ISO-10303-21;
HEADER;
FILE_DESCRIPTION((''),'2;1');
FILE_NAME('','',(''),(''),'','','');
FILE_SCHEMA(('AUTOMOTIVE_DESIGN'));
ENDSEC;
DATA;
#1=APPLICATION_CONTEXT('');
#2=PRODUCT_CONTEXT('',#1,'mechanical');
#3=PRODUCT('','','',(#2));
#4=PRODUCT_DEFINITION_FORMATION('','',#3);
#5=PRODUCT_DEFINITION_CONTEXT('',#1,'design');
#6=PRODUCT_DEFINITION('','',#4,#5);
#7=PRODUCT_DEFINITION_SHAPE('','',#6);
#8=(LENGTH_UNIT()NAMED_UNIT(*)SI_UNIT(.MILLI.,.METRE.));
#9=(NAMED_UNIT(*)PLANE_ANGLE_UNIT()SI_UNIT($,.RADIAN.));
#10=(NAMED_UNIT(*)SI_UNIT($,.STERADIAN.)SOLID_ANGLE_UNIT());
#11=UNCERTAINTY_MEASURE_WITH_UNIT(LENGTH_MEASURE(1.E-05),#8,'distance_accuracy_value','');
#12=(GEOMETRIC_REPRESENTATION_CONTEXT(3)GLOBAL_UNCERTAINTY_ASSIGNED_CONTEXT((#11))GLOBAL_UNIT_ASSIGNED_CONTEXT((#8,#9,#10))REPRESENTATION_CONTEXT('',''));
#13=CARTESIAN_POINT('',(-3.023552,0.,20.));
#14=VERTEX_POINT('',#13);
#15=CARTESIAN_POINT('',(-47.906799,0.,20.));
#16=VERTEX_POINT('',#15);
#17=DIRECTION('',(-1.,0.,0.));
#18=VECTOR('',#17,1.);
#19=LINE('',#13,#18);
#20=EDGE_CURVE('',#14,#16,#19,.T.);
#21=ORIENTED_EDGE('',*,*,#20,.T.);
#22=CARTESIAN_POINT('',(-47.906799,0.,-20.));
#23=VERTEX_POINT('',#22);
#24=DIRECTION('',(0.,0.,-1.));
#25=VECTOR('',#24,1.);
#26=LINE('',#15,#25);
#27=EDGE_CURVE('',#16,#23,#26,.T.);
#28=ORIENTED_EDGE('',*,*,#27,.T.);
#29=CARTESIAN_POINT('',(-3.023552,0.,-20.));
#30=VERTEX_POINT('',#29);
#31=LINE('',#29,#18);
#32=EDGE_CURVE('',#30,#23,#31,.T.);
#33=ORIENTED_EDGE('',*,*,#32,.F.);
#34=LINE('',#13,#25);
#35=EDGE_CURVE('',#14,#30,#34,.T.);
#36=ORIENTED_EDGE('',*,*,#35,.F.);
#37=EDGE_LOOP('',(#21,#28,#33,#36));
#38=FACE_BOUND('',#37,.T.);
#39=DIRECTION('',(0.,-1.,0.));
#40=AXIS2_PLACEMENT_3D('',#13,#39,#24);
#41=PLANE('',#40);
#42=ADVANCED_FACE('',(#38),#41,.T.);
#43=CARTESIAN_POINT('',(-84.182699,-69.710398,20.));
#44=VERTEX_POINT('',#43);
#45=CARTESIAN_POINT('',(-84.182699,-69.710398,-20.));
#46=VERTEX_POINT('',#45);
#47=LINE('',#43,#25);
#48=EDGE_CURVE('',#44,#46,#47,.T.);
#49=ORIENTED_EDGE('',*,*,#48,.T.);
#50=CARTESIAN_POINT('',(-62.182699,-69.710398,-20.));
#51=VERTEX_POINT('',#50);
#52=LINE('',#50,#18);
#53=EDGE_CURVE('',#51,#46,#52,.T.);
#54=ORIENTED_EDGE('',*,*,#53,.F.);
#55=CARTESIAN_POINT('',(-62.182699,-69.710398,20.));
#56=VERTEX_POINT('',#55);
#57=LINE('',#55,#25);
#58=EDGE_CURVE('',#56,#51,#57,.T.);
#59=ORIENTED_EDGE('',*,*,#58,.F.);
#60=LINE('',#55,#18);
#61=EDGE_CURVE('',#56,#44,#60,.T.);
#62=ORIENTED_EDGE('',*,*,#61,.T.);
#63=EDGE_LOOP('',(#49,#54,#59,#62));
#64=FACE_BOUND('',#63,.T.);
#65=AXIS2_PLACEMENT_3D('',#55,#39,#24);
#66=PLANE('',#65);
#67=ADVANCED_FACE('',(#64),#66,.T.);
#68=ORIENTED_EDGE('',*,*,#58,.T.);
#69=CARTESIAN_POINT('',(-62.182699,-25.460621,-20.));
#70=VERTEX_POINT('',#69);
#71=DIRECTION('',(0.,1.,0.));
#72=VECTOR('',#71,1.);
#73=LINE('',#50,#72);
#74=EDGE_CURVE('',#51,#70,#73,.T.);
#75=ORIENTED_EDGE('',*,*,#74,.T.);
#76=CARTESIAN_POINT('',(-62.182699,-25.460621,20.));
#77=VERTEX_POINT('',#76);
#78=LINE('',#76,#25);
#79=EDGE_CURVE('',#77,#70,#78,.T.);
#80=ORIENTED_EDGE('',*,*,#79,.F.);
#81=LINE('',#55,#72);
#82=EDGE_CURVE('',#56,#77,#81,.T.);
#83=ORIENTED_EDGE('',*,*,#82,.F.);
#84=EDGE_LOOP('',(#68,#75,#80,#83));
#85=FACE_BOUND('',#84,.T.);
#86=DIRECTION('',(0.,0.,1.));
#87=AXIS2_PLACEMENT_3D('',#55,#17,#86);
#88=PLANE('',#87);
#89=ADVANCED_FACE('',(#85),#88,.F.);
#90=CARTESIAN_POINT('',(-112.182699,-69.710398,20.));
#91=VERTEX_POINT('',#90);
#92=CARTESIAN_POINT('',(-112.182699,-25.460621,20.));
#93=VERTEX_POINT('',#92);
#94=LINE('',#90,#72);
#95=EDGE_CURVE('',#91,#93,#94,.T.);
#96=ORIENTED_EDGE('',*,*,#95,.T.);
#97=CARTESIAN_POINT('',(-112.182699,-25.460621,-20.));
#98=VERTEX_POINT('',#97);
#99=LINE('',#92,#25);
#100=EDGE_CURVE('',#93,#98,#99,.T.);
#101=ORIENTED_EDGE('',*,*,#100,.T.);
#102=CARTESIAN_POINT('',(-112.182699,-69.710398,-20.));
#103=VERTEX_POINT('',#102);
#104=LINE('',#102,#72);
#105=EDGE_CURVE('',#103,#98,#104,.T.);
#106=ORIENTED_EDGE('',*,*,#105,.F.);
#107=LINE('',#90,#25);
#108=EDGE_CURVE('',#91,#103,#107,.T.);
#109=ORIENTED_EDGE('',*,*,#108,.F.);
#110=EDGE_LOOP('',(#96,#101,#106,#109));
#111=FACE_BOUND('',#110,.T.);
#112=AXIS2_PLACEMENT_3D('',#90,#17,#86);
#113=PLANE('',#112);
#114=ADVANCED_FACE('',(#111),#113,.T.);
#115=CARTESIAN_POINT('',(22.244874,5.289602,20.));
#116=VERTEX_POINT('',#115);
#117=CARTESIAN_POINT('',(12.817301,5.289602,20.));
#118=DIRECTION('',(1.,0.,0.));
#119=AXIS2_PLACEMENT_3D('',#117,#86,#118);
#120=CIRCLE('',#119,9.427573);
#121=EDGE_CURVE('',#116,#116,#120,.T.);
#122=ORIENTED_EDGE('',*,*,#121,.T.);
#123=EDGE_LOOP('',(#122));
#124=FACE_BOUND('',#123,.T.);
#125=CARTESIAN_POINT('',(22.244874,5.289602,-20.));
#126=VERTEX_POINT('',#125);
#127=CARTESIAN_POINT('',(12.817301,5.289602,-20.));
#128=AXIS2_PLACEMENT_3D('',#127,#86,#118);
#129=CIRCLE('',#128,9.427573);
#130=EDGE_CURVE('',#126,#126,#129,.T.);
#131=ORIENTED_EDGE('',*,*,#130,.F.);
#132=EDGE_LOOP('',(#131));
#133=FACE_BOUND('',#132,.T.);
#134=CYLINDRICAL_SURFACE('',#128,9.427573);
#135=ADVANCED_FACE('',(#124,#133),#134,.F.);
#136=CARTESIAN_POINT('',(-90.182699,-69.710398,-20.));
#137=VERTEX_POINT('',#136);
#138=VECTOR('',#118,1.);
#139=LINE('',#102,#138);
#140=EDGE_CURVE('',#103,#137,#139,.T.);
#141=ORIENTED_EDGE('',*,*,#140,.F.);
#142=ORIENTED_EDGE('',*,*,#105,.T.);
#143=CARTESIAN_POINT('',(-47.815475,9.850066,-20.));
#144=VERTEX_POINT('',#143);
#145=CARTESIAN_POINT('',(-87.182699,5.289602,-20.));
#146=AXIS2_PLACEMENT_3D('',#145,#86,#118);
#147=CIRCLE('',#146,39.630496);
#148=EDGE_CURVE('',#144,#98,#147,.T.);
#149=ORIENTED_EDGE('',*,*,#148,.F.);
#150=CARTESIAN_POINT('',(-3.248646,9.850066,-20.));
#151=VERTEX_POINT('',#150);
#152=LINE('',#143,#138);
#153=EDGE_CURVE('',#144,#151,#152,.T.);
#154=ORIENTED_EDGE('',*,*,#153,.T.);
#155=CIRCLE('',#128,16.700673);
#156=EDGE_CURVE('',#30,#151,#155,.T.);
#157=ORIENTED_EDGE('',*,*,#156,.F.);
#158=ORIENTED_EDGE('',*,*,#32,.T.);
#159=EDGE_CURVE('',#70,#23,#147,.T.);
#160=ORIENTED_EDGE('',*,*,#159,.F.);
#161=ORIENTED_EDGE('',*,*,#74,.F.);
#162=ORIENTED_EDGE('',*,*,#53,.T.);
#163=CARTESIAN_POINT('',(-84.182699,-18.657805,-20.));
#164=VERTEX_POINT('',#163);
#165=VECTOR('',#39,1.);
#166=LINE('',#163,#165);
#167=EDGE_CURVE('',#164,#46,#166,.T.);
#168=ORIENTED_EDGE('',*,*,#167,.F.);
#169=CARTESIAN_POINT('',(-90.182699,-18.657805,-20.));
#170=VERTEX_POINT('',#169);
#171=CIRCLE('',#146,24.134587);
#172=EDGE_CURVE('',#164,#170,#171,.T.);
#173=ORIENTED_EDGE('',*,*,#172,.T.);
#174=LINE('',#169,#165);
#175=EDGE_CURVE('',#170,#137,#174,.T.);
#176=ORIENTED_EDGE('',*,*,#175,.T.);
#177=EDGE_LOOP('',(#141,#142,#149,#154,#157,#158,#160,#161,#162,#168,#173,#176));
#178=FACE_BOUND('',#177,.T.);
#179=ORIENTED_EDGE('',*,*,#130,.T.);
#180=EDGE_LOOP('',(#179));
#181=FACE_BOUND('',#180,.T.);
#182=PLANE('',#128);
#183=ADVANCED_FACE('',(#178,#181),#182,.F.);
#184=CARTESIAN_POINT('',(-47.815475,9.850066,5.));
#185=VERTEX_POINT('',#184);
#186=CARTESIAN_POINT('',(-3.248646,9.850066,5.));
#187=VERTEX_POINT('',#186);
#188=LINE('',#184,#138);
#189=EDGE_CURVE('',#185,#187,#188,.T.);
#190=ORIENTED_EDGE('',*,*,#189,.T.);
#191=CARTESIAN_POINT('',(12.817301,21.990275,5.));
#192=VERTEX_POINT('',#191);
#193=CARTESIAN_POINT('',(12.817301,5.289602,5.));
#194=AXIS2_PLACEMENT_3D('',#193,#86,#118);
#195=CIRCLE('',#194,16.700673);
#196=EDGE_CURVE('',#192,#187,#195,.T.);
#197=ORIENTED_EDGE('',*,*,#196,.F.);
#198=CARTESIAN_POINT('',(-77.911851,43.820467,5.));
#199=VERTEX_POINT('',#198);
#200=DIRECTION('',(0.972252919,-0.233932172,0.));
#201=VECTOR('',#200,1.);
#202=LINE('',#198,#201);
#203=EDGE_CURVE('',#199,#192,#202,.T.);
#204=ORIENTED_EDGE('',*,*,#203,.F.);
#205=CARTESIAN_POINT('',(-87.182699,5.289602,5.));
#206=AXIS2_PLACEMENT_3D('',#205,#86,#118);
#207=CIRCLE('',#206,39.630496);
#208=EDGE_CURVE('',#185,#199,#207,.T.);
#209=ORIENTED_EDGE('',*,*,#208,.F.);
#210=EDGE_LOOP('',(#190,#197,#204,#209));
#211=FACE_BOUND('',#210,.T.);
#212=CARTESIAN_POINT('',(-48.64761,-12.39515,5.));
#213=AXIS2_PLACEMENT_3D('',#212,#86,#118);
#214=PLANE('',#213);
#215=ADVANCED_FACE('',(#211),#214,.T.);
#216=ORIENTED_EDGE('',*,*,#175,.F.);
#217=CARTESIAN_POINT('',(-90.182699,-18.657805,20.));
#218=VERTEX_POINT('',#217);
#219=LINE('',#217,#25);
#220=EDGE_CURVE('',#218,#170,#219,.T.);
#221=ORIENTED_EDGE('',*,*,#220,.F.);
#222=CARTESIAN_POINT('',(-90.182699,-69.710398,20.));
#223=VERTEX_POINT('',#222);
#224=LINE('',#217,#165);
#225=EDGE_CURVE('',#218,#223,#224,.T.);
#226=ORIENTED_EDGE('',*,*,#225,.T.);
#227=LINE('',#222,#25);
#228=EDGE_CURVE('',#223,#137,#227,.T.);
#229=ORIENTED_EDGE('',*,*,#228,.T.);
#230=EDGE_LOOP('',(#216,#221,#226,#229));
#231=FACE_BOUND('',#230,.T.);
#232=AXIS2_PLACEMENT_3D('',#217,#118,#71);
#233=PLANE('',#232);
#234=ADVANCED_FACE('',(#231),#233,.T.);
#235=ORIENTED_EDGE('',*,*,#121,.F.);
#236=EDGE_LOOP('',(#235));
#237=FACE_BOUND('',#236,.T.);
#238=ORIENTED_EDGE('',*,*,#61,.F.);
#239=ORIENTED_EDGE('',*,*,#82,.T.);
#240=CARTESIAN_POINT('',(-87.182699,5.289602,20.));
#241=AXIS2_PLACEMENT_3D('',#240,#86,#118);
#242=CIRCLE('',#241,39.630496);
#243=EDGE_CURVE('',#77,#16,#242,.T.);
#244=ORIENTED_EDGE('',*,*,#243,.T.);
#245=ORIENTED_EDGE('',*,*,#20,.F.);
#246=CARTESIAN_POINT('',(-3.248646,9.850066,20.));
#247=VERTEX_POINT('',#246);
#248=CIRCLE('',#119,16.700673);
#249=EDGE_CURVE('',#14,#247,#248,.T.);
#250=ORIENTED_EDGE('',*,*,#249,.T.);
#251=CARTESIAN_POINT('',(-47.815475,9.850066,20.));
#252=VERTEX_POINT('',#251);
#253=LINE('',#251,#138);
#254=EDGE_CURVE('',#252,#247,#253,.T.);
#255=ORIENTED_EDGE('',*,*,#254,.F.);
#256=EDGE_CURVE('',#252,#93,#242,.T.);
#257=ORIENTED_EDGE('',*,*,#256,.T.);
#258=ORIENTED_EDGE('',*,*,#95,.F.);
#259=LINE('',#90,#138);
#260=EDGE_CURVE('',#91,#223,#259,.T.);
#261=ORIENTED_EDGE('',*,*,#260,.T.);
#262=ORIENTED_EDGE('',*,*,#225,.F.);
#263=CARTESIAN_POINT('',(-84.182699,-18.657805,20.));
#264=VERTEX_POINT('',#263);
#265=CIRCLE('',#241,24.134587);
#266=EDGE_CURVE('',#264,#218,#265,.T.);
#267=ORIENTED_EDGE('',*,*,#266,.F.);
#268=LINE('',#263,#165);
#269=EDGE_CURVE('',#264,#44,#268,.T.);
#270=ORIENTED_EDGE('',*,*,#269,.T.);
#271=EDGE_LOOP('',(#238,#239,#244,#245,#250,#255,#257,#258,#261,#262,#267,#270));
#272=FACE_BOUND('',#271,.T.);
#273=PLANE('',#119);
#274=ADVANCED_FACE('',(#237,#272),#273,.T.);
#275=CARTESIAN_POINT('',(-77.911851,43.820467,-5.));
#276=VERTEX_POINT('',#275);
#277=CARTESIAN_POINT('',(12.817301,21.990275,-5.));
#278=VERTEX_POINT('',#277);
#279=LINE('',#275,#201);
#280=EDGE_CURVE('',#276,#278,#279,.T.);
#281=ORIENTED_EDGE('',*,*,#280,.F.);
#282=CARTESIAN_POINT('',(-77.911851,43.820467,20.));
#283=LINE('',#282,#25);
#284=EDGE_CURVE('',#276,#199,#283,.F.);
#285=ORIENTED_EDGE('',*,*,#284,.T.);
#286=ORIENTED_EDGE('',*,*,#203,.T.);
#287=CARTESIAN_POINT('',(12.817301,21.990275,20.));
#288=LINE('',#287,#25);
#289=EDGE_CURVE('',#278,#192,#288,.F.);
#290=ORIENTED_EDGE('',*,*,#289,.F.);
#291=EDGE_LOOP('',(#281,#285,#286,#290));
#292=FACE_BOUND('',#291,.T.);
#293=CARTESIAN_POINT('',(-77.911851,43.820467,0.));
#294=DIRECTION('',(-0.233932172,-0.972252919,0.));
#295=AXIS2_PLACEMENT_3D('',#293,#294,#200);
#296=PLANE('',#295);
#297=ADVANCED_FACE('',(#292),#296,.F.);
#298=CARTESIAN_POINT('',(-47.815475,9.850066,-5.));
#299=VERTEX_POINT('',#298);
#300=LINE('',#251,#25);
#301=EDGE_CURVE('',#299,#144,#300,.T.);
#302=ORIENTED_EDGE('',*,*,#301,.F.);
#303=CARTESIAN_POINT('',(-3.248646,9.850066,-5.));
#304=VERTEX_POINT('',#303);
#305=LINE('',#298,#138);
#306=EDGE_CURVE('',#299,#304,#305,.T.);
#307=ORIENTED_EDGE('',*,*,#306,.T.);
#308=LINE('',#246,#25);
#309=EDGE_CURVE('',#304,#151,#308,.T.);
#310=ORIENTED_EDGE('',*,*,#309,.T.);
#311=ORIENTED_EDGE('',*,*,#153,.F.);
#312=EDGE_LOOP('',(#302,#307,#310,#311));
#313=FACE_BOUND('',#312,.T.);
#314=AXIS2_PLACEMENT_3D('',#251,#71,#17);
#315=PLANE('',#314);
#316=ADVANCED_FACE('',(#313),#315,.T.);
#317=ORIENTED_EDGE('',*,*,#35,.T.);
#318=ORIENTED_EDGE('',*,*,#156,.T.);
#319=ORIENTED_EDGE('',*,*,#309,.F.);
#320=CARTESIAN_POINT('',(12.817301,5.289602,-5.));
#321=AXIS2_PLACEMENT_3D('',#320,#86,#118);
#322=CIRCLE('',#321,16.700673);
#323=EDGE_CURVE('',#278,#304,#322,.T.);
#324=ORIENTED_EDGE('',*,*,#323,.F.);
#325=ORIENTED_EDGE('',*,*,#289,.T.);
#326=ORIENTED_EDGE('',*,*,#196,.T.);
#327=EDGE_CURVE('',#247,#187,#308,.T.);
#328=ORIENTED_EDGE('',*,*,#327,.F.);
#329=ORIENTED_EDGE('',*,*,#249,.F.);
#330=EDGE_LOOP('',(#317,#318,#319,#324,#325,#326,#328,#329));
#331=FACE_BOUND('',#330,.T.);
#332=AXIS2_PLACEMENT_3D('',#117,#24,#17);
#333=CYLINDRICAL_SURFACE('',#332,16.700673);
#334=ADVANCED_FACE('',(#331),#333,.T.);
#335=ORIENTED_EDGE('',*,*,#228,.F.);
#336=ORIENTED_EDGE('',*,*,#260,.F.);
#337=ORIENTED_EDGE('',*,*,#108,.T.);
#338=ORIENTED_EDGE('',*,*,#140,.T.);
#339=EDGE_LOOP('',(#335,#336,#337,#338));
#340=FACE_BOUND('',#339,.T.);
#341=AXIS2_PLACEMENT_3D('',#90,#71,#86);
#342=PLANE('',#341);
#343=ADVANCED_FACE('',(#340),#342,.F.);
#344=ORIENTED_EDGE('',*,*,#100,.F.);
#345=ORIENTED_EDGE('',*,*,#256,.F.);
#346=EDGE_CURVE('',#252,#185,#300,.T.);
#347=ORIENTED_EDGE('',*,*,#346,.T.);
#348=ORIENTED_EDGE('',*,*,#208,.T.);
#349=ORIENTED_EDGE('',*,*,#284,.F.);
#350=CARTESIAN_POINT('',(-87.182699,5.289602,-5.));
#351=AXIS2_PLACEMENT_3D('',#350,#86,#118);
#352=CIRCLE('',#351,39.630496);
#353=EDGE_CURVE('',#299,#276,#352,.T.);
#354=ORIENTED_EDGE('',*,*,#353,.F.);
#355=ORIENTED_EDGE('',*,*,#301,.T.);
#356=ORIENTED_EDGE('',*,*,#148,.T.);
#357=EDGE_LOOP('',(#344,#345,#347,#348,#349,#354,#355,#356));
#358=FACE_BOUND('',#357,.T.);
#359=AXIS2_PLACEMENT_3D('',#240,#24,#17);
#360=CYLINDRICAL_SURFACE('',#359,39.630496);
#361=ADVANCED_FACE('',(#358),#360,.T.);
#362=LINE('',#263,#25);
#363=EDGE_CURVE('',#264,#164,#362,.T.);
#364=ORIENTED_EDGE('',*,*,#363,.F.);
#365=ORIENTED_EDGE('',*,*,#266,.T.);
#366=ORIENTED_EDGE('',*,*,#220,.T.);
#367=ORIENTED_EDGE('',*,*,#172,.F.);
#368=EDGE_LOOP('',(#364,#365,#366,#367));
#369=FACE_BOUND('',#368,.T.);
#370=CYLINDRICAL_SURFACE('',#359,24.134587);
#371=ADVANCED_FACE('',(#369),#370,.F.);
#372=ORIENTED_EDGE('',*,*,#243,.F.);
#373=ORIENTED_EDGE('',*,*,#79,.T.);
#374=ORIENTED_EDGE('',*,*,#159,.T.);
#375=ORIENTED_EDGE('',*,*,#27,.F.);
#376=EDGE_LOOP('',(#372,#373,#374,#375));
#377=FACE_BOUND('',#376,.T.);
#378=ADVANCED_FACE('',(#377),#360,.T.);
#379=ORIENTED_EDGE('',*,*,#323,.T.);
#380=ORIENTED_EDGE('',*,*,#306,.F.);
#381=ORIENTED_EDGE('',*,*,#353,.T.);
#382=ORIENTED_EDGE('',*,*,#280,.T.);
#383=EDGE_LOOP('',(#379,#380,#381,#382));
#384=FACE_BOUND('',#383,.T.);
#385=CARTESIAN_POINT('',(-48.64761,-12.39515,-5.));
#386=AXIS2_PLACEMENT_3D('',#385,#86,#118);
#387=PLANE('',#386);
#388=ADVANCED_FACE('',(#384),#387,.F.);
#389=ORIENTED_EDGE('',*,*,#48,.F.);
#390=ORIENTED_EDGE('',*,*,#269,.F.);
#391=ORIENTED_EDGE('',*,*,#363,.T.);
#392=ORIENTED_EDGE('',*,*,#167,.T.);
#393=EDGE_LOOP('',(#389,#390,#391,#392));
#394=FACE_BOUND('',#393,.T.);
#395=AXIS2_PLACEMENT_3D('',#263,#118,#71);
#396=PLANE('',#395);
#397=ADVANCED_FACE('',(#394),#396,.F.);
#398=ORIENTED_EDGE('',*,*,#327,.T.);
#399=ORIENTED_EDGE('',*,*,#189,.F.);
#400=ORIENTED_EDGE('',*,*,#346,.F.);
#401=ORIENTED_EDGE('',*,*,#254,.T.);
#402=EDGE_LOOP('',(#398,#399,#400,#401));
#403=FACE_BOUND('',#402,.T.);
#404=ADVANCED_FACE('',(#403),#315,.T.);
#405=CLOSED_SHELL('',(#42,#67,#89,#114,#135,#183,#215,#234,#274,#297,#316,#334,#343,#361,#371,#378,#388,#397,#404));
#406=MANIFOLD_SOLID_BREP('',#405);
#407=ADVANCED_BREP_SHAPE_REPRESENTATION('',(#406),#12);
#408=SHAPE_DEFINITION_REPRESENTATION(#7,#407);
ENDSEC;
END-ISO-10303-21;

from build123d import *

# Parameters (mm, degrees)
BOSS_EXTRUDE1_DEPTH = 20
SKETCH2_3_R         = 9.427573189
CUT_EXTRUDE1_DEPTH  = 20
RIB14_REACH         = 148.086
SKETCH4_WALL_W      = 387.490512318
SKETCH4_WALL_H      = 10


with BuildPart() as part:
    # Sketch2 → Boss-Extrude1 (new, symmetric)
    with BuildSketch(Plane.XY):
        with BuildLine():
            Line((-47.815474815, 9.850065555), (-3.248646384, 9.850065555))
            ThreePointArc((-3.248646384, 9.850065555), (29.513615172, 5.671147892), (-3.023551525, 0))
            Line((-3.023551525, 0), (-47.906799475, 0))
            ThreePointArc((-47.906799475, 0), (-52.615248836, -14.092543666), (-62.182699169, -25.460620745))
            Line((-62.182699169, -25.460620745), (-62.182699169, -69.710398251))
            Line((-62.182699169, -69.710398251), (-84.182699169, -69.710398251))
            Line((-84.182699169, -69.710398251), (-84.182699169, -18.657805359))
            ThreePointArc((-84.182699169, -18.657805359), (-87.182699169, 29.424189114), (-90.182699169, -18.657805359))
            Line((-90.182699169, -18.657805359), (-90.182699169, -69.710398251))
            Line((-90.182699169, -69.710398251), (-112.182699169, -69.710398251))
            Line((-112.182699169, -69.710398251), (-112.182699169, -25.460620745))
            ThreePointArc((-112.182699169, -25.460620745), (-106.243534032, 40.035259864), (-47.815474815, 9.850065555))
        make_face()
    extrude(amount=BOSS_EXTRUDE1_DEPTH, both=True)

    # Sketch2<3> → Cut-Extrude1 (cut, symmetric)
    with BuildSketch(Plane.XY):
        with Locations((12.817300831, 5.289601749)):
            Circle(SKETCH2_3_R)
    extrude(amount=CUT_EXTRUDE1_DEPTH, both=True, mode=Mode.SUBTRACT)

    # Sketch4 wall → Rib14 (add, up to next)
    with BuildSketch(Plane(origin=(-32.547275207, 32.905370949, 0), x_dir=(0.972252919165, -0.233932172167, 0), z_dir=(0.233932172167, 0.972252919165, 0)), mode=Mode.PRIVATE) as rib14_sk1:
        Rectangle(SKETCH4_WALL_W, SKETCH4_WALL_H)
    rib14_tool1 = extrude(rib14_sk1.sketch, amount=-RIB14_REACH, mode=Mode.PRIVATE) - part.part
    add(rib14_tool1.solids().sort_by_distance((-32.547275207, 32.905370949, 0))[0])


solid = part.part
